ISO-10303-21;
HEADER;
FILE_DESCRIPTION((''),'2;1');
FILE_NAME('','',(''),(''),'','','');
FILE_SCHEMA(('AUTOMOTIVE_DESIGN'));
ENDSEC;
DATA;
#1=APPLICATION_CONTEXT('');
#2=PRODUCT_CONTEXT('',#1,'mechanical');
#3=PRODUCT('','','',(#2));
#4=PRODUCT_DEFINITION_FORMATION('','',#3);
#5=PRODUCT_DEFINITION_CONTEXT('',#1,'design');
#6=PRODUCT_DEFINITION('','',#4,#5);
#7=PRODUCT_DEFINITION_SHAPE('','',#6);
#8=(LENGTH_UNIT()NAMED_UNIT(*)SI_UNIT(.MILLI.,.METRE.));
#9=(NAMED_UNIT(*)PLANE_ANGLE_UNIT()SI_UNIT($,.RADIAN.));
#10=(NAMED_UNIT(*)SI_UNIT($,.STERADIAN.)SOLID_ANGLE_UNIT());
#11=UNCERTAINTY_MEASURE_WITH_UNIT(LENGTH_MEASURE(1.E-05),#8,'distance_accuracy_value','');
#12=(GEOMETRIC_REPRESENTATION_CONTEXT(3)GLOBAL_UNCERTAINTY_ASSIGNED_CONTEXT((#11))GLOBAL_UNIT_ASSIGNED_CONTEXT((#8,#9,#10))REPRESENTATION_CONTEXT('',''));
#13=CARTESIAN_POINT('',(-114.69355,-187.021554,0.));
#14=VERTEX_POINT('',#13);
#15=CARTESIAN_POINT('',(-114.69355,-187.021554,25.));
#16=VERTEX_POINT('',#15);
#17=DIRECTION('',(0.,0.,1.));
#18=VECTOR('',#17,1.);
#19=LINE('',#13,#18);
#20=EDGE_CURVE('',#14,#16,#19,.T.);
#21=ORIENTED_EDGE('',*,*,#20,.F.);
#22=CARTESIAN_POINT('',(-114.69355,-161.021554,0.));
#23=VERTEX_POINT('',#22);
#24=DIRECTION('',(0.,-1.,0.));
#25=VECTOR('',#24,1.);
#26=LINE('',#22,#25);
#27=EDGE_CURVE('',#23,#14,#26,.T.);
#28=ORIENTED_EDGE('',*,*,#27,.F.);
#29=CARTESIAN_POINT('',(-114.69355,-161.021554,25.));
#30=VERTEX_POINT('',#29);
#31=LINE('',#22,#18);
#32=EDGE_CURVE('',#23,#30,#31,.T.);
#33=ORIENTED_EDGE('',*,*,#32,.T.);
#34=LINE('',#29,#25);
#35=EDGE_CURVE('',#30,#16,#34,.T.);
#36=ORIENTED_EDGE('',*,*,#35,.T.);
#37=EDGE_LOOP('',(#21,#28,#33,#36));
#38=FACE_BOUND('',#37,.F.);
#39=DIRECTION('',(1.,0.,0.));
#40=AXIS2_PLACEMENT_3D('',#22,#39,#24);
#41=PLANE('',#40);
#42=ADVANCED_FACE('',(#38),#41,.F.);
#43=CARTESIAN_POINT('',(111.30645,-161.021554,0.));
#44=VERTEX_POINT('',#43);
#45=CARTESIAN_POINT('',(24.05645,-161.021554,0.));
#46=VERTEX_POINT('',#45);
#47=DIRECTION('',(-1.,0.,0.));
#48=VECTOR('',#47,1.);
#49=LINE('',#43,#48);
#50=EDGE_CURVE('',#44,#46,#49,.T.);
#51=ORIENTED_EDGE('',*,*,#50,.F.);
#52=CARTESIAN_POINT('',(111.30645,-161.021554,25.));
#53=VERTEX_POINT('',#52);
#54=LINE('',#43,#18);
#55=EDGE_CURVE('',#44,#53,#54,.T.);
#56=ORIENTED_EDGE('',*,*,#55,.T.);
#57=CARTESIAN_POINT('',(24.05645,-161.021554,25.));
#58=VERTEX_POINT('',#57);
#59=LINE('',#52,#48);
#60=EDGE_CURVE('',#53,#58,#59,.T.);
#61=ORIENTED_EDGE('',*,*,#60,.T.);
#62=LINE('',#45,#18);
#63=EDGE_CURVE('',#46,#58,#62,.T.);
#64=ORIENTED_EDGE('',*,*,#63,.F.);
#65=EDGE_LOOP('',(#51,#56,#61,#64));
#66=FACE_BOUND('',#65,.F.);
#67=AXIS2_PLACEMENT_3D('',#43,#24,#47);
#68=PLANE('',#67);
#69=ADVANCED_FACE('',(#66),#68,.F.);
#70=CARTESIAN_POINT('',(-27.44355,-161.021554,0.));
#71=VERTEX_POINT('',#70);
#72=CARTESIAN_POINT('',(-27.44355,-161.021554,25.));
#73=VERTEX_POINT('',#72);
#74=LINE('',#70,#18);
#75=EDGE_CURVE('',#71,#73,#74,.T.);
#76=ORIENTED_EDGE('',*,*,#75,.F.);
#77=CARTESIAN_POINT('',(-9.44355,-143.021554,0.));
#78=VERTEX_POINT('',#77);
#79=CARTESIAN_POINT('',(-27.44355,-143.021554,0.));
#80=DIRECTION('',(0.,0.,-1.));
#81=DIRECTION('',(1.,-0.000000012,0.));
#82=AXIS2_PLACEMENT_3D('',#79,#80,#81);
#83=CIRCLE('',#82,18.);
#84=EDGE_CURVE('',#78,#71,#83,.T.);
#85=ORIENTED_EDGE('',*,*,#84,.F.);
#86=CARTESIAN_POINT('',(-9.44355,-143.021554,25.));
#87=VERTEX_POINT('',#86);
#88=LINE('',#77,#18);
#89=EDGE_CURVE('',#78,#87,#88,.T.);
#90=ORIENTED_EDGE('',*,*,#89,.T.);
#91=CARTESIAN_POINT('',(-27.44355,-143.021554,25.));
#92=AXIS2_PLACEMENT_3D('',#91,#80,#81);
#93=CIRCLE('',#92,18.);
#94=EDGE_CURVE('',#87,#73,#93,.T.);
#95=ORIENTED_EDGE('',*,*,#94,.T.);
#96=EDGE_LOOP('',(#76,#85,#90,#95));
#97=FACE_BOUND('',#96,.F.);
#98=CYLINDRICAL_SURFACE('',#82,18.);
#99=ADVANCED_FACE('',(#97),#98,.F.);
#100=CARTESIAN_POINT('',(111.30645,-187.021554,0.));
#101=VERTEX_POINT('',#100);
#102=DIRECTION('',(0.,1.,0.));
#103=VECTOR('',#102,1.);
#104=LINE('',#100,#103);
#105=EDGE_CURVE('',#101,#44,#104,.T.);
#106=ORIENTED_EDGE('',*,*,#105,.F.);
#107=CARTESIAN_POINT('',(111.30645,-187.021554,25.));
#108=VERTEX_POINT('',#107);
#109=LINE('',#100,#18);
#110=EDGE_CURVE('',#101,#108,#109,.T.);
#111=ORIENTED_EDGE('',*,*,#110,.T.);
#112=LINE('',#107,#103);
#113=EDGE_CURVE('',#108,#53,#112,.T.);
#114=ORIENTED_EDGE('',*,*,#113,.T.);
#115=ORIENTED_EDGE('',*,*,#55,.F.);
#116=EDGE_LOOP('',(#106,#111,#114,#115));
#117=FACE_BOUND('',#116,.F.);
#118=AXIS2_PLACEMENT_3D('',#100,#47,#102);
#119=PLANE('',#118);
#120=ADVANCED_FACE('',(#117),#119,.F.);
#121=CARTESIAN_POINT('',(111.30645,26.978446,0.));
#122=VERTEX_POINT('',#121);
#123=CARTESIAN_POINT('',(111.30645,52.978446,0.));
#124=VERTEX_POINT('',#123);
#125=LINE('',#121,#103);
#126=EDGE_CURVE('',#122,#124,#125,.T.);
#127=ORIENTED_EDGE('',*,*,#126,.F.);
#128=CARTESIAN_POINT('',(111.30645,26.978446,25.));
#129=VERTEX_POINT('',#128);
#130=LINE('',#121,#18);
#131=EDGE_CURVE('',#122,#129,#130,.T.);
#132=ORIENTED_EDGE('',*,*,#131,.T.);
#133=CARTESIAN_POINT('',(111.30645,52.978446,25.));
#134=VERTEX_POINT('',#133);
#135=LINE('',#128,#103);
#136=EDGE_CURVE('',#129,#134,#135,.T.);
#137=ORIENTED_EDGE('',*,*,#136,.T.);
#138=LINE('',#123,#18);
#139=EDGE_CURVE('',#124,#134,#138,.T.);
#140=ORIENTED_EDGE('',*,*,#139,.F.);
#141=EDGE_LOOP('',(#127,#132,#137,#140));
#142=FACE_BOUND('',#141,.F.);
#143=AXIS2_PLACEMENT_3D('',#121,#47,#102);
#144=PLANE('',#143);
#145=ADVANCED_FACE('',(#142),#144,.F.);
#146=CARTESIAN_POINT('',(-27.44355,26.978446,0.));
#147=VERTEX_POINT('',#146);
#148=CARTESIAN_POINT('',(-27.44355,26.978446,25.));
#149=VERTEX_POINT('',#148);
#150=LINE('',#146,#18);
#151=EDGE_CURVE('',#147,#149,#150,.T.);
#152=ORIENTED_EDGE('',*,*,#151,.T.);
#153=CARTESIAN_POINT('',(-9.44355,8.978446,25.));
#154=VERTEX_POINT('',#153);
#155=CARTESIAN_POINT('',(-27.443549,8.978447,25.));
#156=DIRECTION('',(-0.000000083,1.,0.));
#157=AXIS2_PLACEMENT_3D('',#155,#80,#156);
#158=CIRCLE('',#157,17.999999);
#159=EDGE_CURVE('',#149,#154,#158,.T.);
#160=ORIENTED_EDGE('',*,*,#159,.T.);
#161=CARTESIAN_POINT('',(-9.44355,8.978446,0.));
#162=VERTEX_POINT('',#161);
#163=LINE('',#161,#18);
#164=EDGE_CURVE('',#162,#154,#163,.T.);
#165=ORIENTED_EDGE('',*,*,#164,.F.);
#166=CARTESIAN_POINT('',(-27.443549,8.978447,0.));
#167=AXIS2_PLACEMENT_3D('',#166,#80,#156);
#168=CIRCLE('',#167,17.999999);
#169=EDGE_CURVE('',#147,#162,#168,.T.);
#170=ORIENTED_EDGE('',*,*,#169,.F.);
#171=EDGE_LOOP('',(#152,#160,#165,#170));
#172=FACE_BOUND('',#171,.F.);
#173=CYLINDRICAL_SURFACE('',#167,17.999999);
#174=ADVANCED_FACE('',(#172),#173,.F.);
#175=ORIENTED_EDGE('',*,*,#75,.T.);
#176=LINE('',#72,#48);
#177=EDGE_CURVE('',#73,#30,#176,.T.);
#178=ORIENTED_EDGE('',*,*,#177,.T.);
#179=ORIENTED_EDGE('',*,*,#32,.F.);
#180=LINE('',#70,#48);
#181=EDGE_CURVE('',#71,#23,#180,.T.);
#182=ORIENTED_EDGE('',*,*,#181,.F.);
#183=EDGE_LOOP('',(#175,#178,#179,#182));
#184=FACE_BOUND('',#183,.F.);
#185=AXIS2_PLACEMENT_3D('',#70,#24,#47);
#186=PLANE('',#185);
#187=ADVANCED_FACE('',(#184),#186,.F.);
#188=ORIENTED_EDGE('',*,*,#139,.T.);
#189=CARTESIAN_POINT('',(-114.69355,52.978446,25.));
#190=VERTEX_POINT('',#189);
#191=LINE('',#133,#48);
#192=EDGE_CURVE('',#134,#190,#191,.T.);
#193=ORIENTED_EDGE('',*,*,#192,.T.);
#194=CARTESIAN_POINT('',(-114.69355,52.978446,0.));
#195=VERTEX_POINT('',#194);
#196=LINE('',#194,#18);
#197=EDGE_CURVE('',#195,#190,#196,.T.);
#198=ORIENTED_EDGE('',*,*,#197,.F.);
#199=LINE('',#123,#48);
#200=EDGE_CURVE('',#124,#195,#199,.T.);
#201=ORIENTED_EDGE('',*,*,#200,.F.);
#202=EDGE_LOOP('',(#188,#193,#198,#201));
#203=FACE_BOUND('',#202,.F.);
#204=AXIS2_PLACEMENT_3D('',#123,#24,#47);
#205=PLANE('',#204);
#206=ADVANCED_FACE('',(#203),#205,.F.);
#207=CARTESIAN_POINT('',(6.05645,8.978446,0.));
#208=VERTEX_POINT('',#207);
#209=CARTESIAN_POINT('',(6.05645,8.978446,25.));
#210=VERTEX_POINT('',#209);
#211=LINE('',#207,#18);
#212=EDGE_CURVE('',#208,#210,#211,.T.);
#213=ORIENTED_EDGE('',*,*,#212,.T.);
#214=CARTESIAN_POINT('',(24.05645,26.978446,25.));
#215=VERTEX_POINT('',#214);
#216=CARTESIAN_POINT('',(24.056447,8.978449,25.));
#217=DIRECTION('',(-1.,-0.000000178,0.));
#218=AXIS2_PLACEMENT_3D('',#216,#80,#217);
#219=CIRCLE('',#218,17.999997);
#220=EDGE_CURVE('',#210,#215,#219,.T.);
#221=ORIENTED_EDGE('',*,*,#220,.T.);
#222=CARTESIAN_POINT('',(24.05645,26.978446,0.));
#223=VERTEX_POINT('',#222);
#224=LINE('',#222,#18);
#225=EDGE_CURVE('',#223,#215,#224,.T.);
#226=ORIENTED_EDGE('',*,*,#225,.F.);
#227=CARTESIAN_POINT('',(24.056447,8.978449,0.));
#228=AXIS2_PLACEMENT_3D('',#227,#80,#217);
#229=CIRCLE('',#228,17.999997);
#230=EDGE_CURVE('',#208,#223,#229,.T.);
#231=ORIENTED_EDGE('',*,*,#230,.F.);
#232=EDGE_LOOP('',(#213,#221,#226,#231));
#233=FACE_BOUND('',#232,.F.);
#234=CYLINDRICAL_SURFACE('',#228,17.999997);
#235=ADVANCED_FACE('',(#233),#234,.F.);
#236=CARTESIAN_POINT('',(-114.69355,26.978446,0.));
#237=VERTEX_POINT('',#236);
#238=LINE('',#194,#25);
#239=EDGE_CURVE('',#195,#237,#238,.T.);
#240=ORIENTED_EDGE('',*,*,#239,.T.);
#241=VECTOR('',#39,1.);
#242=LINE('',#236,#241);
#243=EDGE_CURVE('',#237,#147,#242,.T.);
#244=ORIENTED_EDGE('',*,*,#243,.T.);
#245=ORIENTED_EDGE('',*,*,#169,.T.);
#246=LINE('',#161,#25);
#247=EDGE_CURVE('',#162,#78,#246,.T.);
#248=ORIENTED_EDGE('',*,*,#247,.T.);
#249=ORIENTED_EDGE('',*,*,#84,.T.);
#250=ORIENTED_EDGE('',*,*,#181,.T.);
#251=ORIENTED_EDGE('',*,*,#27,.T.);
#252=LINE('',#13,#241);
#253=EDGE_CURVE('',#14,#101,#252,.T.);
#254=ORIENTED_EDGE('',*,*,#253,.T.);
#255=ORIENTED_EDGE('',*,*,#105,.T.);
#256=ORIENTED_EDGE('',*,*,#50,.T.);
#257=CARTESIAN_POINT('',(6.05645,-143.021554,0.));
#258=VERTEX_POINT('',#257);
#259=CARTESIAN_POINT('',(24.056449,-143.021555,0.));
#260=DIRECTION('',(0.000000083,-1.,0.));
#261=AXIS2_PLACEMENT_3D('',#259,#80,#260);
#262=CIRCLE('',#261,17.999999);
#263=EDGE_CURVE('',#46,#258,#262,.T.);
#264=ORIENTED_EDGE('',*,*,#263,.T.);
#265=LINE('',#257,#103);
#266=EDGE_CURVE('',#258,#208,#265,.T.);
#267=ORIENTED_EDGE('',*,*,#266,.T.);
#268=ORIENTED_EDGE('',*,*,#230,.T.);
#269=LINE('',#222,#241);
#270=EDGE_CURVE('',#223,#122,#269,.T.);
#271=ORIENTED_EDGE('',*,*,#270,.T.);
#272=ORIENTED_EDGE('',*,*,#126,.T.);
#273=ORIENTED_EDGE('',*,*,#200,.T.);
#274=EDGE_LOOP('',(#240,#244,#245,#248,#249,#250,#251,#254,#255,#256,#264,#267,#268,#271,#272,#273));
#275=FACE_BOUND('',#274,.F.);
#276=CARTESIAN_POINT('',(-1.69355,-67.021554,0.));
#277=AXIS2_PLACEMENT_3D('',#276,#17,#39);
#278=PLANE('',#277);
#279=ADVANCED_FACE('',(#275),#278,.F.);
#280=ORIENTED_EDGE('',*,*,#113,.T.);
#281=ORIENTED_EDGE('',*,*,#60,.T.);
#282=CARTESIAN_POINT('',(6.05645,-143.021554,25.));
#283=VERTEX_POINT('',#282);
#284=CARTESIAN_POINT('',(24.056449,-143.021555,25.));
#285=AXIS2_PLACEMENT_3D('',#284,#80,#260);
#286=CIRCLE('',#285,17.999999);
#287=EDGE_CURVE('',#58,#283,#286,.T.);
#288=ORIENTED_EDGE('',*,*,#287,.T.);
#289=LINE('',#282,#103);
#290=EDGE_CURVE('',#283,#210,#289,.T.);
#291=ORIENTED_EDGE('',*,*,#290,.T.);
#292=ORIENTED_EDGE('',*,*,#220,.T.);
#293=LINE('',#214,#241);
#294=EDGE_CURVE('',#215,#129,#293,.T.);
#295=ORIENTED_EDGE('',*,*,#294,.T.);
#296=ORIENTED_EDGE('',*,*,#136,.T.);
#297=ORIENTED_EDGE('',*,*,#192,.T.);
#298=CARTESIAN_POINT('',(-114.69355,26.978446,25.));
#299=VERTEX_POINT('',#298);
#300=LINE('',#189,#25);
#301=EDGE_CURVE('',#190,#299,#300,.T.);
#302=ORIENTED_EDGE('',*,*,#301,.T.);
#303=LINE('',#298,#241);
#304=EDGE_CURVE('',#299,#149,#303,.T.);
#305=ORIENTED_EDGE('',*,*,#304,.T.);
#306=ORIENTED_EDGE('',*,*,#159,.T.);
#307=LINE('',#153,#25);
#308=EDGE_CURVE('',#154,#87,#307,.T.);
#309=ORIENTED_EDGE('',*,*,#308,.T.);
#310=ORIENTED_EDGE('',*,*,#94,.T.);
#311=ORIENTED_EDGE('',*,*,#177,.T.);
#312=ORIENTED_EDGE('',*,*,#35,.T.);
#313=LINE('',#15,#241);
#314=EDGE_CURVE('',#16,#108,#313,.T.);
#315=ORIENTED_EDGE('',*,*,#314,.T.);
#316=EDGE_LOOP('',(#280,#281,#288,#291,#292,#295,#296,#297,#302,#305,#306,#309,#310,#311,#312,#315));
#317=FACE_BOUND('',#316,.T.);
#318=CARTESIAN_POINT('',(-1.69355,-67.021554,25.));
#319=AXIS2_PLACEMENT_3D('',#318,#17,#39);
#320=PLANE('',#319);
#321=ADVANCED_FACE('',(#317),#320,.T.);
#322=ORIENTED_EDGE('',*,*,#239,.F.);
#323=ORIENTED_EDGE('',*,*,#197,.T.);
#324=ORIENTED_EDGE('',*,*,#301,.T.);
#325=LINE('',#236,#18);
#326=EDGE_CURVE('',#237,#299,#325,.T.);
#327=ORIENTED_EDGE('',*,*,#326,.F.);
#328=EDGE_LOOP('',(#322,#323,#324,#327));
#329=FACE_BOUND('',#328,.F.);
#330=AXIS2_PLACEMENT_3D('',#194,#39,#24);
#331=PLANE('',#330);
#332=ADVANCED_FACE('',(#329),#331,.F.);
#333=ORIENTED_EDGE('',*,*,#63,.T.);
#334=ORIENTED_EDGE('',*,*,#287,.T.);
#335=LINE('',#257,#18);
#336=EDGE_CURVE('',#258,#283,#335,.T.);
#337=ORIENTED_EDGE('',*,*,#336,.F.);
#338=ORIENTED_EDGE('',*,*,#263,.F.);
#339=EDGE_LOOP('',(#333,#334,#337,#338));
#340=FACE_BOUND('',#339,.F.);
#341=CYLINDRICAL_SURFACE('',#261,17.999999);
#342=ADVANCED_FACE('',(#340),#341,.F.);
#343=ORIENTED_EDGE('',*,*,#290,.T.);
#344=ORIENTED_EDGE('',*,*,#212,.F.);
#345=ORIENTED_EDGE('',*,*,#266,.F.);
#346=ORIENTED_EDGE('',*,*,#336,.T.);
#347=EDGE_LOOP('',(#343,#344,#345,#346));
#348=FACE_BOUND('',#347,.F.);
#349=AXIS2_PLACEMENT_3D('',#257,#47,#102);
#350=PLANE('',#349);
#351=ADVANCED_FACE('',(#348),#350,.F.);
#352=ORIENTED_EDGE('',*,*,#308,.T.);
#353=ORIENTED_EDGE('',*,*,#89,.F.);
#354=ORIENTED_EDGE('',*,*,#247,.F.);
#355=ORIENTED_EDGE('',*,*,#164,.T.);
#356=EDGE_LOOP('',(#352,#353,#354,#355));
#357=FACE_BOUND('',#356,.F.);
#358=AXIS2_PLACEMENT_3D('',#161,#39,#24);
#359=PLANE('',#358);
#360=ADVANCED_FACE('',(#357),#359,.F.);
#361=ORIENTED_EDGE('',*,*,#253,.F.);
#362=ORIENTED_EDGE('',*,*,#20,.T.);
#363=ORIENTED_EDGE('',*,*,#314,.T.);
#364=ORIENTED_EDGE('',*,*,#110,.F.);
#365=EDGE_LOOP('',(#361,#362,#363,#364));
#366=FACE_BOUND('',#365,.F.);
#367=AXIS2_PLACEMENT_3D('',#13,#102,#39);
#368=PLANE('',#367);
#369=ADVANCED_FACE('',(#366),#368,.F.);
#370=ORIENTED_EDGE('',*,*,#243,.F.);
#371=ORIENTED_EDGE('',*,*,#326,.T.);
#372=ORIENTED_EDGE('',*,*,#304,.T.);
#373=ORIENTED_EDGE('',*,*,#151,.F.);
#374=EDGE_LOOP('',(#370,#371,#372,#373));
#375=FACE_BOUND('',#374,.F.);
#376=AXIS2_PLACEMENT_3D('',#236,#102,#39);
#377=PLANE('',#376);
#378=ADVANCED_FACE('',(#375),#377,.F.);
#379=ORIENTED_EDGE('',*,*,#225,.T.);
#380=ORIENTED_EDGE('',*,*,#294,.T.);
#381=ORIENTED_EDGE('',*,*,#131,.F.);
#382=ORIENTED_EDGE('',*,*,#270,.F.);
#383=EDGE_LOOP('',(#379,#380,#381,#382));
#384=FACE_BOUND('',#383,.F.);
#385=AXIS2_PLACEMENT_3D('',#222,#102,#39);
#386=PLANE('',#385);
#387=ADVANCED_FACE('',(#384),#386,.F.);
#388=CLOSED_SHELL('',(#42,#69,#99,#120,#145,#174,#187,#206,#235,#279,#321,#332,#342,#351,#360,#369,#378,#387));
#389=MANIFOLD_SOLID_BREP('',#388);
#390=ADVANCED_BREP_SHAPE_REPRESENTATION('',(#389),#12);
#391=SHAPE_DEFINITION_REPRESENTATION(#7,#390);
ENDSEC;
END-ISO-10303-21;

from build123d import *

# Parameters (mm, degrees)
F1_DEPTH = 25


with BuildPart() as f1:
    # F0 (on Top) → F1 (new body)
    with BuildSketch(Plane.XY):
        with BuildLine():
            Line((111.30645, 52.978446), (-114.69355, 52.978446))
            Line((-114.69355, 52.978446), (-114.69355, 26.978446))
            Line((-114.69355, 26.978446), (-27.44355, 26.978446))
            ThreePointArc((-27.44355, 26.978446), (-14.715628, 21.706369), (-9.44355, 8.978446))
            Line((-9.44355, 8.978446), (-9.44355, -143.021554))
            ThreePointArc((-9.44355, -143.021554), (-14.715628, -155.749476), (-27.44355, -161.021554))
            Line((-27.44355, -161.021554), (-114.69355, -161.021554))
            Line((-114.69355, -161.021554), (-114.69355, -187.021554))
            Line((-114.69355, -187.021554), (111.30645, -187.021554))
            Line((111.30645, -187.021554), (111.30645, -161.021554))
            Line((111.30645, -161.021554), (24.05645, -161.021554))
            ThreePointArc((24.05645, -161.021554), (11.328527, -155.749476), (6.05645, -143.021554))
            Line((6.05645, -143.021554), (6.05645, 8.978446))
            ThreePointArc((6.05645, 8.978446), (11.328527, 21.706369), (24.05645, 26.978446))
            Line((24.05645, 26.978446), (111.30645, 26.978446))
            Line((111.30645, 26.978446), (111.30645, 52.978446))
        make_face()
    extrude(amount=F1_DEPTH)


solid = f1.part
